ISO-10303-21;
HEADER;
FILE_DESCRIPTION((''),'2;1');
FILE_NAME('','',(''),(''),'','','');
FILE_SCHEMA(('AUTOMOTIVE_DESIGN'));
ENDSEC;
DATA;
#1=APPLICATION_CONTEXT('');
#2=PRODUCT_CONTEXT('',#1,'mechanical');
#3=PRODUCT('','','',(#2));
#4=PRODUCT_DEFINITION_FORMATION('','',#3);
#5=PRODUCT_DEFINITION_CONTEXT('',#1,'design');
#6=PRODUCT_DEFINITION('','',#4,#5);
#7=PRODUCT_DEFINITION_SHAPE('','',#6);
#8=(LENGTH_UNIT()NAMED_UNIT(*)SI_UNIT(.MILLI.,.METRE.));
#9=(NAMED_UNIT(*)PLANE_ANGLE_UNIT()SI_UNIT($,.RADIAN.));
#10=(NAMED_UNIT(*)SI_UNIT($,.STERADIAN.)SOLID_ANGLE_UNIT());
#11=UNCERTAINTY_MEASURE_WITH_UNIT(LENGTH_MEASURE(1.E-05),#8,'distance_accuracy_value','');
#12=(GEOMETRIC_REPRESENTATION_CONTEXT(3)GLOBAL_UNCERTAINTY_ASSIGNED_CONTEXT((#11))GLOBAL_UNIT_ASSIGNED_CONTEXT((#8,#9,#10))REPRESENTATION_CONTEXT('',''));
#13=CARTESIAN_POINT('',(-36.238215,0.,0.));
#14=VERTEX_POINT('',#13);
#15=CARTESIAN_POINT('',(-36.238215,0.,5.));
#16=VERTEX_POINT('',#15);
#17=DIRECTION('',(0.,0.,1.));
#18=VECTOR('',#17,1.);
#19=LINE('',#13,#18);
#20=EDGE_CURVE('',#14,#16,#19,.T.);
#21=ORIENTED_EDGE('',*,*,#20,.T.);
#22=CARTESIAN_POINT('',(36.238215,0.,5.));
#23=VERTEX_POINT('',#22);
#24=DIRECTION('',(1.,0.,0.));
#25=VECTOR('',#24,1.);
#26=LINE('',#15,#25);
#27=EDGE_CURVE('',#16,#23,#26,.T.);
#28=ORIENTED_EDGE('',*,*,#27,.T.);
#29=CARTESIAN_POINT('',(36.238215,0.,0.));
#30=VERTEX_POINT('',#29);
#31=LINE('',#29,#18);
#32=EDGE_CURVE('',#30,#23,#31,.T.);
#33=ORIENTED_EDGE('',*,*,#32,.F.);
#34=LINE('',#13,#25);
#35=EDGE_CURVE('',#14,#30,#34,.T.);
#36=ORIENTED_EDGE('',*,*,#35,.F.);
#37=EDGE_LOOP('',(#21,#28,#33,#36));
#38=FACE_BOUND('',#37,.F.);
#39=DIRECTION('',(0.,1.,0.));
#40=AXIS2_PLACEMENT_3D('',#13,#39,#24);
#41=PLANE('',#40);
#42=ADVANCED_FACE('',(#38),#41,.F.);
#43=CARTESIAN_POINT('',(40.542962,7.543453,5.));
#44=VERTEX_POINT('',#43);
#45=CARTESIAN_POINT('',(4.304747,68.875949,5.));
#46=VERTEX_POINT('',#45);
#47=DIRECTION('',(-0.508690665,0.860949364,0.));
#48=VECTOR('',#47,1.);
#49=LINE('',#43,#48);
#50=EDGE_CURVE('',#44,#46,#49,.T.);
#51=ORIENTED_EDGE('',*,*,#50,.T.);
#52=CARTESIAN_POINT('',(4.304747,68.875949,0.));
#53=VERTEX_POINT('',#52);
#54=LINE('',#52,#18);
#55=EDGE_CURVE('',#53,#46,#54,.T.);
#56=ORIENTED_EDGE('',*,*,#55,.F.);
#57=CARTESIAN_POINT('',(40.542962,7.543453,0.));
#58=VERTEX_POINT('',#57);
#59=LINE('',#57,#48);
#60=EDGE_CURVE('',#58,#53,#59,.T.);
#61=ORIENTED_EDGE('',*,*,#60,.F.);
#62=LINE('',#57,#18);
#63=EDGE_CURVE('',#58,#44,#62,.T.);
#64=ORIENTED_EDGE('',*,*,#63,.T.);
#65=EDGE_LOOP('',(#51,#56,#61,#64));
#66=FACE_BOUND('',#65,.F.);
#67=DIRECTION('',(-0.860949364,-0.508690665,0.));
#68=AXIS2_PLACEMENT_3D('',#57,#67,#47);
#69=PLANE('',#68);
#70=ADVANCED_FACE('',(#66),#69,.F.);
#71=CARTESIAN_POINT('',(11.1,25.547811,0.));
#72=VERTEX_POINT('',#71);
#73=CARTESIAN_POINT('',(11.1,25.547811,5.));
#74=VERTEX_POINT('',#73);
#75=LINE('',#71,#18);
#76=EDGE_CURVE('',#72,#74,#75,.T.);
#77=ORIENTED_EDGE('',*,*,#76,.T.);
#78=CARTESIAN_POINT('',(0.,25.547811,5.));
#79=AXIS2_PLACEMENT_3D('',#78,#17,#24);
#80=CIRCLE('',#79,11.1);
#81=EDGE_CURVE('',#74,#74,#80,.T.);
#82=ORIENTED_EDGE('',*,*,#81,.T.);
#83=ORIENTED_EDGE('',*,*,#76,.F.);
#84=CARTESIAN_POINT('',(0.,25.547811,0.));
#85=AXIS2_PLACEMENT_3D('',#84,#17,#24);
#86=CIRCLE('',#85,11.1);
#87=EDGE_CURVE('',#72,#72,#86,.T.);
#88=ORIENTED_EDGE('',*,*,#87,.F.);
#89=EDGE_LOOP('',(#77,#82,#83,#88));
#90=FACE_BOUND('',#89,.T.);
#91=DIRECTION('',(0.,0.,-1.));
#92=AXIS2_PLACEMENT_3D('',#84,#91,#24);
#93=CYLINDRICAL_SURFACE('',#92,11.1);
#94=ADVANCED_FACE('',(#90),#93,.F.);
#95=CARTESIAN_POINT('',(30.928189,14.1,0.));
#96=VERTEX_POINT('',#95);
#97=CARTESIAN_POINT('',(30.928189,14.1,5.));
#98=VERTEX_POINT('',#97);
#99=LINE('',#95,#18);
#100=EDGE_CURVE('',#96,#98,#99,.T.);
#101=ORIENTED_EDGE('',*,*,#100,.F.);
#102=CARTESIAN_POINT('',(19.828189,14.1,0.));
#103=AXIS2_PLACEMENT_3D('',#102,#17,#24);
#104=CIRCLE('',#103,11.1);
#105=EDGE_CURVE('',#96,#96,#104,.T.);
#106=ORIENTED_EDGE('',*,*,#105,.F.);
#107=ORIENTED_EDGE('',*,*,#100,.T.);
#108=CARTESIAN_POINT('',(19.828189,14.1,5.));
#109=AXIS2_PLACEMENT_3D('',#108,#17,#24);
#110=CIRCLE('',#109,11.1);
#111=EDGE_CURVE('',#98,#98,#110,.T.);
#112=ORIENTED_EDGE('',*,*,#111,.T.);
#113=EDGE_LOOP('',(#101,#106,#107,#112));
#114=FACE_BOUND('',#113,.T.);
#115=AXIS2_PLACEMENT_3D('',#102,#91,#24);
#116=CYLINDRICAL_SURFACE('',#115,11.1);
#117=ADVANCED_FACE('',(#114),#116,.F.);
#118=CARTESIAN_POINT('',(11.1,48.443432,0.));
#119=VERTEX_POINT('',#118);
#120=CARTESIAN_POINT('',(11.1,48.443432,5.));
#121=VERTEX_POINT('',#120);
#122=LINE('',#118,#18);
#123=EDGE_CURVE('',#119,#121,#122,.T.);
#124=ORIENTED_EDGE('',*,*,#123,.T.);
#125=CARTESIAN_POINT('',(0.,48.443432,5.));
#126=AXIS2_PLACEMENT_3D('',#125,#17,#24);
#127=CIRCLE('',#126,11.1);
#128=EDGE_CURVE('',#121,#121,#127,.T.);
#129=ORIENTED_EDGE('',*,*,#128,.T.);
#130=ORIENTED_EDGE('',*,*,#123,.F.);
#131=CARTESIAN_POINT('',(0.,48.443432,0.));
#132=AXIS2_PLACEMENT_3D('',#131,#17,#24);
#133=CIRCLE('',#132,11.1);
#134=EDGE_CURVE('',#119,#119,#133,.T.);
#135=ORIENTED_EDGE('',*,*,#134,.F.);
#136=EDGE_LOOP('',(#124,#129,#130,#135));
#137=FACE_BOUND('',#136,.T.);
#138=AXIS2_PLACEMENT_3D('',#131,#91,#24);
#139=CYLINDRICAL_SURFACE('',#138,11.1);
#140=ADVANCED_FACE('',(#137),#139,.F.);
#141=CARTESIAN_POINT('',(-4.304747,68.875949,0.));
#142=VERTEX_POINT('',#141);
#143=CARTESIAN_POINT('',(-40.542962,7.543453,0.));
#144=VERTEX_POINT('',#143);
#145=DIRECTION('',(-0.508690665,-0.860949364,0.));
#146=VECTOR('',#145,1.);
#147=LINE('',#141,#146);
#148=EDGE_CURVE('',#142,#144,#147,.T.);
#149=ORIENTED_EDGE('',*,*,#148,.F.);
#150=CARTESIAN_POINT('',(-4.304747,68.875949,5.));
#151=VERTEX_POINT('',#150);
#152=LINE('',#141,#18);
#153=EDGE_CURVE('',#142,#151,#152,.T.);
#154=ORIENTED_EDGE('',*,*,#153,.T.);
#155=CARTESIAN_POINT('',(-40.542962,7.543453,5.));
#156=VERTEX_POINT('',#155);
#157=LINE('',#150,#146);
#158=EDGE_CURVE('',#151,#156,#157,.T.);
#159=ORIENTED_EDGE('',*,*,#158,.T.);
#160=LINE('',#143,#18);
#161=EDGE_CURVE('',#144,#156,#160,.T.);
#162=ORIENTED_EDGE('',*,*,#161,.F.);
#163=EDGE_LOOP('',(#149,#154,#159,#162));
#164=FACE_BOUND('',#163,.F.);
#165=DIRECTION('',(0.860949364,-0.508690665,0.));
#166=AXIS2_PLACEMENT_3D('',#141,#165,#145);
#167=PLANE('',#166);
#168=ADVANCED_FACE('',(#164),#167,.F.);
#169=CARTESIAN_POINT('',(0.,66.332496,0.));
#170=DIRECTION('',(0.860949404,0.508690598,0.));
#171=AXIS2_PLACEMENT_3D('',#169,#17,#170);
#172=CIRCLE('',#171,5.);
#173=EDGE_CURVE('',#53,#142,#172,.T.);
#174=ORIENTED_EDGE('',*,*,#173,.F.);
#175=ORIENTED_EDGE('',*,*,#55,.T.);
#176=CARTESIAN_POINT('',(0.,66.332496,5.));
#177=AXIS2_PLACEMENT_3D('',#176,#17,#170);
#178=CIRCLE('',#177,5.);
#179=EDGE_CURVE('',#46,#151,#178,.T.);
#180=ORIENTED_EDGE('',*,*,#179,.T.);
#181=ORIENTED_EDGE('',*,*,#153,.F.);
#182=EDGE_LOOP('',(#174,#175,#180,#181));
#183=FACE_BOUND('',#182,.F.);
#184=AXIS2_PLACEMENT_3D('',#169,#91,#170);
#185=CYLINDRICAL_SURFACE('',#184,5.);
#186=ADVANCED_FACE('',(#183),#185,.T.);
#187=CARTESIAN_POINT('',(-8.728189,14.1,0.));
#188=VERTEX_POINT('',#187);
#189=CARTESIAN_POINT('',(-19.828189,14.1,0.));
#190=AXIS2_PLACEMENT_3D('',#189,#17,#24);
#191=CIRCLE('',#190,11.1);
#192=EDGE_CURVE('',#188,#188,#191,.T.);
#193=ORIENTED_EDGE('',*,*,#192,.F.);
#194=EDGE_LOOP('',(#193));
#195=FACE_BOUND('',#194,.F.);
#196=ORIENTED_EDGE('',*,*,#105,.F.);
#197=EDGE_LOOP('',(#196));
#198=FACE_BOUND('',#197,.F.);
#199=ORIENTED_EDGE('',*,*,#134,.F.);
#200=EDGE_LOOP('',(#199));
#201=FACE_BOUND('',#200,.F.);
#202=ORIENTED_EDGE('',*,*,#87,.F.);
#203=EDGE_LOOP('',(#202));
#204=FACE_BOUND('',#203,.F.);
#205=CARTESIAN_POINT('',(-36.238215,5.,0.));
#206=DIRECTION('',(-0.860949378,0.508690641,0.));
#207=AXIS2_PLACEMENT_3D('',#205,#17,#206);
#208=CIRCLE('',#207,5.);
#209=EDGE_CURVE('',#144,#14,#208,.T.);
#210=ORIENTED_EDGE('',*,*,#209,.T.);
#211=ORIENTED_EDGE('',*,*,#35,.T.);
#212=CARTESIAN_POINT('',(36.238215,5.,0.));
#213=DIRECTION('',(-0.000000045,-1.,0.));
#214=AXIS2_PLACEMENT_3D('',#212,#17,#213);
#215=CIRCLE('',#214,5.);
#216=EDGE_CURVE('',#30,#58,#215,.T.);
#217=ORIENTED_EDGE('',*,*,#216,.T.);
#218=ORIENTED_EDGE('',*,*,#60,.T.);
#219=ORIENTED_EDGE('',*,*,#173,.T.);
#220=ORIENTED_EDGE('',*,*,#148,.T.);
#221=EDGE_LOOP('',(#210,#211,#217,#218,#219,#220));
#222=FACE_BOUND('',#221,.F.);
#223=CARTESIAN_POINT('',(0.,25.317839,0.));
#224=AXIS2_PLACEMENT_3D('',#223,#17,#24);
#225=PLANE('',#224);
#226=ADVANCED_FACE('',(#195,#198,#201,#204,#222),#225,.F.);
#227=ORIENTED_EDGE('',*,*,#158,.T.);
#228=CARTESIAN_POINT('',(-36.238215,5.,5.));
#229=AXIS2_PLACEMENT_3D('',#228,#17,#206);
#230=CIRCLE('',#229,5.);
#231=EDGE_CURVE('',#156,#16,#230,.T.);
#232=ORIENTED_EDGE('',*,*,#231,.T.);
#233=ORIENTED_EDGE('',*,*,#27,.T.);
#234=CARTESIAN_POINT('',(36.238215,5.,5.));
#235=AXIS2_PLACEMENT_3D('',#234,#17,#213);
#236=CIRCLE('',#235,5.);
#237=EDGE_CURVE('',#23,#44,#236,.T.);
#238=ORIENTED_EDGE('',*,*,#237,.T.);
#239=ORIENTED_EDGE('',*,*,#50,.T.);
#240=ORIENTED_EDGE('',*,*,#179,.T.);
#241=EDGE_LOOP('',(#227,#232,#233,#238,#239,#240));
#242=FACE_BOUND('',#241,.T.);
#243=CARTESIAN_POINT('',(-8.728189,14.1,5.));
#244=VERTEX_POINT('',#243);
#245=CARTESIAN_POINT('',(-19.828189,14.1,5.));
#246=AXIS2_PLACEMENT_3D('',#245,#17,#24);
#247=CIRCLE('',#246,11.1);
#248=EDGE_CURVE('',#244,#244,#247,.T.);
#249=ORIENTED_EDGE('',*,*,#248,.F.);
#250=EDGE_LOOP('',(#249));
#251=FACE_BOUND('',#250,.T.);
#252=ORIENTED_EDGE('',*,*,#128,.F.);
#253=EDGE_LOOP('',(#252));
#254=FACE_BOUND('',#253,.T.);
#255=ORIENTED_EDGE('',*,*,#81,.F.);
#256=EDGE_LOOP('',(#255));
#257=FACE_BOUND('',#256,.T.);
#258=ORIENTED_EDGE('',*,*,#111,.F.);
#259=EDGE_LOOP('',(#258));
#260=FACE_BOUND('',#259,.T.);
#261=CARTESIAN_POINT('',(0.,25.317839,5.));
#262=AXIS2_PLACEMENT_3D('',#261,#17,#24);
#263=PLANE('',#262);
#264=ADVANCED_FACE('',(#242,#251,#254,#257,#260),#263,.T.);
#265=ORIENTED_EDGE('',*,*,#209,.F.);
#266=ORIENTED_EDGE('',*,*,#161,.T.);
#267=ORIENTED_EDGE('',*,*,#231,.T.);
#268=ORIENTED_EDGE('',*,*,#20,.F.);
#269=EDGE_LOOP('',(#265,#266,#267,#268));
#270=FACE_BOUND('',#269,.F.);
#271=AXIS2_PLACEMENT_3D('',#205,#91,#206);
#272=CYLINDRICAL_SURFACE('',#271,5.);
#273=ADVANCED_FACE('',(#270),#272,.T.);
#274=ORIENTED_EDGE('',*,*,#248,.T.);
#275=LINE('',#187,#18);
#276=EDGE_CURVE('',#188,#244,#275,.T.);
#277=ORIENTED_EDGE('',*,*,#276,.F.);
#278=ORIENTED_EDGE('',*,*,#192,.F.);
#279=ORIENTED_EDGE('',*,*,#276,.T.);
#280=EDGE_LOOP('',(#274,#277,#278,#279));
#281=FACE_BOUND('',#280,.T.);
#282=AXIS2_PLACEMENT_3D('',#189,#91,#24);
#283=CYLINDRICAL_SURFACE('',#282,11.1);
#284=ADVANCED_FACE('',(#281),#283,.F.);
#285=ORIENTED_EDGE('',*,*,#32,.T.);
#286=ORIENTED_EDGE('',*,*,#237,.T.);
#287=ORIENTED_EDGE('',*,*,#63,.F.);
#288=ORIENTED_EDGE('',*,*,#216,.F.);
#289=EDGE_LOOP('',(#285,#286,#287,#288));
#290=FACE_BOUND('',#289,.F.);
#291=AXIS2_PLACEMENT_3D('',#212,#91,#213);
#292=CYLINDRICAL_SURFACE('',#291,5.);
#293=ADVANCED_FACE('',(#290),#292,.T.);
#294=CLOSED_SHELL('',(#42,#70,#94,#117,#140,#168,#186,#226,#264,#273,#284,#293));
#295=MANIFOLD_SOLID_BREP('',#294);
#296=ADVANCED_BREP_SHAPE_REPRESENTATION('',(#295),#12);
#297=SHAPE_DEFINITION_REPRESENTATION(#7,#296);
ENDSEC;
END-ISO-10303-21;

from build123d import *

# Parameters (mm, degrees)
F0_R     = 11.1
F1_DEPTH = 5


with BuildPart() as f1:
    # F0 (on Top) → F1 (new body)
    with BuildSketch(Plane.XY):
        with BuildLine():
            Line((40.542962, 7.543453), (4.304747, 68.875949))
            ThreePointArc((4.304747, 68.875949), (0, 71.332496), (-4.304747, 68.875949))
            Line((-4.304747, 68.875949), (-40.542962, 7.543453))
            ThreePointArc((-40.542962, 7.543453), (-40.580868, 2.521822), (-36.238215, 0))
            Line((-36.238215, 0), (36.238215, 0))
            ThreePointArc((36.238215, 0), (40.580868, 2.521822), (40.542962, 7.543453))
        make_face()
        with Locations((-19.828189, 14.1)):
            Circle(F0_R, mode=Mode.SUBTRACT)
        with Locations((0, 25.547811)):
            Circle(F0_R, mode=Mode.SUBTRACT)
        with Locations((19.828189, 14.1)):
            Circle(F0_R, mode=Mode.SUBTRACT)
        with Locations((0, 48.443432)):
            Circle(F0_R, mode=Mode.SUBTRACT)
    extrude(amount=F1_DEPTH)


solid = f1.part
